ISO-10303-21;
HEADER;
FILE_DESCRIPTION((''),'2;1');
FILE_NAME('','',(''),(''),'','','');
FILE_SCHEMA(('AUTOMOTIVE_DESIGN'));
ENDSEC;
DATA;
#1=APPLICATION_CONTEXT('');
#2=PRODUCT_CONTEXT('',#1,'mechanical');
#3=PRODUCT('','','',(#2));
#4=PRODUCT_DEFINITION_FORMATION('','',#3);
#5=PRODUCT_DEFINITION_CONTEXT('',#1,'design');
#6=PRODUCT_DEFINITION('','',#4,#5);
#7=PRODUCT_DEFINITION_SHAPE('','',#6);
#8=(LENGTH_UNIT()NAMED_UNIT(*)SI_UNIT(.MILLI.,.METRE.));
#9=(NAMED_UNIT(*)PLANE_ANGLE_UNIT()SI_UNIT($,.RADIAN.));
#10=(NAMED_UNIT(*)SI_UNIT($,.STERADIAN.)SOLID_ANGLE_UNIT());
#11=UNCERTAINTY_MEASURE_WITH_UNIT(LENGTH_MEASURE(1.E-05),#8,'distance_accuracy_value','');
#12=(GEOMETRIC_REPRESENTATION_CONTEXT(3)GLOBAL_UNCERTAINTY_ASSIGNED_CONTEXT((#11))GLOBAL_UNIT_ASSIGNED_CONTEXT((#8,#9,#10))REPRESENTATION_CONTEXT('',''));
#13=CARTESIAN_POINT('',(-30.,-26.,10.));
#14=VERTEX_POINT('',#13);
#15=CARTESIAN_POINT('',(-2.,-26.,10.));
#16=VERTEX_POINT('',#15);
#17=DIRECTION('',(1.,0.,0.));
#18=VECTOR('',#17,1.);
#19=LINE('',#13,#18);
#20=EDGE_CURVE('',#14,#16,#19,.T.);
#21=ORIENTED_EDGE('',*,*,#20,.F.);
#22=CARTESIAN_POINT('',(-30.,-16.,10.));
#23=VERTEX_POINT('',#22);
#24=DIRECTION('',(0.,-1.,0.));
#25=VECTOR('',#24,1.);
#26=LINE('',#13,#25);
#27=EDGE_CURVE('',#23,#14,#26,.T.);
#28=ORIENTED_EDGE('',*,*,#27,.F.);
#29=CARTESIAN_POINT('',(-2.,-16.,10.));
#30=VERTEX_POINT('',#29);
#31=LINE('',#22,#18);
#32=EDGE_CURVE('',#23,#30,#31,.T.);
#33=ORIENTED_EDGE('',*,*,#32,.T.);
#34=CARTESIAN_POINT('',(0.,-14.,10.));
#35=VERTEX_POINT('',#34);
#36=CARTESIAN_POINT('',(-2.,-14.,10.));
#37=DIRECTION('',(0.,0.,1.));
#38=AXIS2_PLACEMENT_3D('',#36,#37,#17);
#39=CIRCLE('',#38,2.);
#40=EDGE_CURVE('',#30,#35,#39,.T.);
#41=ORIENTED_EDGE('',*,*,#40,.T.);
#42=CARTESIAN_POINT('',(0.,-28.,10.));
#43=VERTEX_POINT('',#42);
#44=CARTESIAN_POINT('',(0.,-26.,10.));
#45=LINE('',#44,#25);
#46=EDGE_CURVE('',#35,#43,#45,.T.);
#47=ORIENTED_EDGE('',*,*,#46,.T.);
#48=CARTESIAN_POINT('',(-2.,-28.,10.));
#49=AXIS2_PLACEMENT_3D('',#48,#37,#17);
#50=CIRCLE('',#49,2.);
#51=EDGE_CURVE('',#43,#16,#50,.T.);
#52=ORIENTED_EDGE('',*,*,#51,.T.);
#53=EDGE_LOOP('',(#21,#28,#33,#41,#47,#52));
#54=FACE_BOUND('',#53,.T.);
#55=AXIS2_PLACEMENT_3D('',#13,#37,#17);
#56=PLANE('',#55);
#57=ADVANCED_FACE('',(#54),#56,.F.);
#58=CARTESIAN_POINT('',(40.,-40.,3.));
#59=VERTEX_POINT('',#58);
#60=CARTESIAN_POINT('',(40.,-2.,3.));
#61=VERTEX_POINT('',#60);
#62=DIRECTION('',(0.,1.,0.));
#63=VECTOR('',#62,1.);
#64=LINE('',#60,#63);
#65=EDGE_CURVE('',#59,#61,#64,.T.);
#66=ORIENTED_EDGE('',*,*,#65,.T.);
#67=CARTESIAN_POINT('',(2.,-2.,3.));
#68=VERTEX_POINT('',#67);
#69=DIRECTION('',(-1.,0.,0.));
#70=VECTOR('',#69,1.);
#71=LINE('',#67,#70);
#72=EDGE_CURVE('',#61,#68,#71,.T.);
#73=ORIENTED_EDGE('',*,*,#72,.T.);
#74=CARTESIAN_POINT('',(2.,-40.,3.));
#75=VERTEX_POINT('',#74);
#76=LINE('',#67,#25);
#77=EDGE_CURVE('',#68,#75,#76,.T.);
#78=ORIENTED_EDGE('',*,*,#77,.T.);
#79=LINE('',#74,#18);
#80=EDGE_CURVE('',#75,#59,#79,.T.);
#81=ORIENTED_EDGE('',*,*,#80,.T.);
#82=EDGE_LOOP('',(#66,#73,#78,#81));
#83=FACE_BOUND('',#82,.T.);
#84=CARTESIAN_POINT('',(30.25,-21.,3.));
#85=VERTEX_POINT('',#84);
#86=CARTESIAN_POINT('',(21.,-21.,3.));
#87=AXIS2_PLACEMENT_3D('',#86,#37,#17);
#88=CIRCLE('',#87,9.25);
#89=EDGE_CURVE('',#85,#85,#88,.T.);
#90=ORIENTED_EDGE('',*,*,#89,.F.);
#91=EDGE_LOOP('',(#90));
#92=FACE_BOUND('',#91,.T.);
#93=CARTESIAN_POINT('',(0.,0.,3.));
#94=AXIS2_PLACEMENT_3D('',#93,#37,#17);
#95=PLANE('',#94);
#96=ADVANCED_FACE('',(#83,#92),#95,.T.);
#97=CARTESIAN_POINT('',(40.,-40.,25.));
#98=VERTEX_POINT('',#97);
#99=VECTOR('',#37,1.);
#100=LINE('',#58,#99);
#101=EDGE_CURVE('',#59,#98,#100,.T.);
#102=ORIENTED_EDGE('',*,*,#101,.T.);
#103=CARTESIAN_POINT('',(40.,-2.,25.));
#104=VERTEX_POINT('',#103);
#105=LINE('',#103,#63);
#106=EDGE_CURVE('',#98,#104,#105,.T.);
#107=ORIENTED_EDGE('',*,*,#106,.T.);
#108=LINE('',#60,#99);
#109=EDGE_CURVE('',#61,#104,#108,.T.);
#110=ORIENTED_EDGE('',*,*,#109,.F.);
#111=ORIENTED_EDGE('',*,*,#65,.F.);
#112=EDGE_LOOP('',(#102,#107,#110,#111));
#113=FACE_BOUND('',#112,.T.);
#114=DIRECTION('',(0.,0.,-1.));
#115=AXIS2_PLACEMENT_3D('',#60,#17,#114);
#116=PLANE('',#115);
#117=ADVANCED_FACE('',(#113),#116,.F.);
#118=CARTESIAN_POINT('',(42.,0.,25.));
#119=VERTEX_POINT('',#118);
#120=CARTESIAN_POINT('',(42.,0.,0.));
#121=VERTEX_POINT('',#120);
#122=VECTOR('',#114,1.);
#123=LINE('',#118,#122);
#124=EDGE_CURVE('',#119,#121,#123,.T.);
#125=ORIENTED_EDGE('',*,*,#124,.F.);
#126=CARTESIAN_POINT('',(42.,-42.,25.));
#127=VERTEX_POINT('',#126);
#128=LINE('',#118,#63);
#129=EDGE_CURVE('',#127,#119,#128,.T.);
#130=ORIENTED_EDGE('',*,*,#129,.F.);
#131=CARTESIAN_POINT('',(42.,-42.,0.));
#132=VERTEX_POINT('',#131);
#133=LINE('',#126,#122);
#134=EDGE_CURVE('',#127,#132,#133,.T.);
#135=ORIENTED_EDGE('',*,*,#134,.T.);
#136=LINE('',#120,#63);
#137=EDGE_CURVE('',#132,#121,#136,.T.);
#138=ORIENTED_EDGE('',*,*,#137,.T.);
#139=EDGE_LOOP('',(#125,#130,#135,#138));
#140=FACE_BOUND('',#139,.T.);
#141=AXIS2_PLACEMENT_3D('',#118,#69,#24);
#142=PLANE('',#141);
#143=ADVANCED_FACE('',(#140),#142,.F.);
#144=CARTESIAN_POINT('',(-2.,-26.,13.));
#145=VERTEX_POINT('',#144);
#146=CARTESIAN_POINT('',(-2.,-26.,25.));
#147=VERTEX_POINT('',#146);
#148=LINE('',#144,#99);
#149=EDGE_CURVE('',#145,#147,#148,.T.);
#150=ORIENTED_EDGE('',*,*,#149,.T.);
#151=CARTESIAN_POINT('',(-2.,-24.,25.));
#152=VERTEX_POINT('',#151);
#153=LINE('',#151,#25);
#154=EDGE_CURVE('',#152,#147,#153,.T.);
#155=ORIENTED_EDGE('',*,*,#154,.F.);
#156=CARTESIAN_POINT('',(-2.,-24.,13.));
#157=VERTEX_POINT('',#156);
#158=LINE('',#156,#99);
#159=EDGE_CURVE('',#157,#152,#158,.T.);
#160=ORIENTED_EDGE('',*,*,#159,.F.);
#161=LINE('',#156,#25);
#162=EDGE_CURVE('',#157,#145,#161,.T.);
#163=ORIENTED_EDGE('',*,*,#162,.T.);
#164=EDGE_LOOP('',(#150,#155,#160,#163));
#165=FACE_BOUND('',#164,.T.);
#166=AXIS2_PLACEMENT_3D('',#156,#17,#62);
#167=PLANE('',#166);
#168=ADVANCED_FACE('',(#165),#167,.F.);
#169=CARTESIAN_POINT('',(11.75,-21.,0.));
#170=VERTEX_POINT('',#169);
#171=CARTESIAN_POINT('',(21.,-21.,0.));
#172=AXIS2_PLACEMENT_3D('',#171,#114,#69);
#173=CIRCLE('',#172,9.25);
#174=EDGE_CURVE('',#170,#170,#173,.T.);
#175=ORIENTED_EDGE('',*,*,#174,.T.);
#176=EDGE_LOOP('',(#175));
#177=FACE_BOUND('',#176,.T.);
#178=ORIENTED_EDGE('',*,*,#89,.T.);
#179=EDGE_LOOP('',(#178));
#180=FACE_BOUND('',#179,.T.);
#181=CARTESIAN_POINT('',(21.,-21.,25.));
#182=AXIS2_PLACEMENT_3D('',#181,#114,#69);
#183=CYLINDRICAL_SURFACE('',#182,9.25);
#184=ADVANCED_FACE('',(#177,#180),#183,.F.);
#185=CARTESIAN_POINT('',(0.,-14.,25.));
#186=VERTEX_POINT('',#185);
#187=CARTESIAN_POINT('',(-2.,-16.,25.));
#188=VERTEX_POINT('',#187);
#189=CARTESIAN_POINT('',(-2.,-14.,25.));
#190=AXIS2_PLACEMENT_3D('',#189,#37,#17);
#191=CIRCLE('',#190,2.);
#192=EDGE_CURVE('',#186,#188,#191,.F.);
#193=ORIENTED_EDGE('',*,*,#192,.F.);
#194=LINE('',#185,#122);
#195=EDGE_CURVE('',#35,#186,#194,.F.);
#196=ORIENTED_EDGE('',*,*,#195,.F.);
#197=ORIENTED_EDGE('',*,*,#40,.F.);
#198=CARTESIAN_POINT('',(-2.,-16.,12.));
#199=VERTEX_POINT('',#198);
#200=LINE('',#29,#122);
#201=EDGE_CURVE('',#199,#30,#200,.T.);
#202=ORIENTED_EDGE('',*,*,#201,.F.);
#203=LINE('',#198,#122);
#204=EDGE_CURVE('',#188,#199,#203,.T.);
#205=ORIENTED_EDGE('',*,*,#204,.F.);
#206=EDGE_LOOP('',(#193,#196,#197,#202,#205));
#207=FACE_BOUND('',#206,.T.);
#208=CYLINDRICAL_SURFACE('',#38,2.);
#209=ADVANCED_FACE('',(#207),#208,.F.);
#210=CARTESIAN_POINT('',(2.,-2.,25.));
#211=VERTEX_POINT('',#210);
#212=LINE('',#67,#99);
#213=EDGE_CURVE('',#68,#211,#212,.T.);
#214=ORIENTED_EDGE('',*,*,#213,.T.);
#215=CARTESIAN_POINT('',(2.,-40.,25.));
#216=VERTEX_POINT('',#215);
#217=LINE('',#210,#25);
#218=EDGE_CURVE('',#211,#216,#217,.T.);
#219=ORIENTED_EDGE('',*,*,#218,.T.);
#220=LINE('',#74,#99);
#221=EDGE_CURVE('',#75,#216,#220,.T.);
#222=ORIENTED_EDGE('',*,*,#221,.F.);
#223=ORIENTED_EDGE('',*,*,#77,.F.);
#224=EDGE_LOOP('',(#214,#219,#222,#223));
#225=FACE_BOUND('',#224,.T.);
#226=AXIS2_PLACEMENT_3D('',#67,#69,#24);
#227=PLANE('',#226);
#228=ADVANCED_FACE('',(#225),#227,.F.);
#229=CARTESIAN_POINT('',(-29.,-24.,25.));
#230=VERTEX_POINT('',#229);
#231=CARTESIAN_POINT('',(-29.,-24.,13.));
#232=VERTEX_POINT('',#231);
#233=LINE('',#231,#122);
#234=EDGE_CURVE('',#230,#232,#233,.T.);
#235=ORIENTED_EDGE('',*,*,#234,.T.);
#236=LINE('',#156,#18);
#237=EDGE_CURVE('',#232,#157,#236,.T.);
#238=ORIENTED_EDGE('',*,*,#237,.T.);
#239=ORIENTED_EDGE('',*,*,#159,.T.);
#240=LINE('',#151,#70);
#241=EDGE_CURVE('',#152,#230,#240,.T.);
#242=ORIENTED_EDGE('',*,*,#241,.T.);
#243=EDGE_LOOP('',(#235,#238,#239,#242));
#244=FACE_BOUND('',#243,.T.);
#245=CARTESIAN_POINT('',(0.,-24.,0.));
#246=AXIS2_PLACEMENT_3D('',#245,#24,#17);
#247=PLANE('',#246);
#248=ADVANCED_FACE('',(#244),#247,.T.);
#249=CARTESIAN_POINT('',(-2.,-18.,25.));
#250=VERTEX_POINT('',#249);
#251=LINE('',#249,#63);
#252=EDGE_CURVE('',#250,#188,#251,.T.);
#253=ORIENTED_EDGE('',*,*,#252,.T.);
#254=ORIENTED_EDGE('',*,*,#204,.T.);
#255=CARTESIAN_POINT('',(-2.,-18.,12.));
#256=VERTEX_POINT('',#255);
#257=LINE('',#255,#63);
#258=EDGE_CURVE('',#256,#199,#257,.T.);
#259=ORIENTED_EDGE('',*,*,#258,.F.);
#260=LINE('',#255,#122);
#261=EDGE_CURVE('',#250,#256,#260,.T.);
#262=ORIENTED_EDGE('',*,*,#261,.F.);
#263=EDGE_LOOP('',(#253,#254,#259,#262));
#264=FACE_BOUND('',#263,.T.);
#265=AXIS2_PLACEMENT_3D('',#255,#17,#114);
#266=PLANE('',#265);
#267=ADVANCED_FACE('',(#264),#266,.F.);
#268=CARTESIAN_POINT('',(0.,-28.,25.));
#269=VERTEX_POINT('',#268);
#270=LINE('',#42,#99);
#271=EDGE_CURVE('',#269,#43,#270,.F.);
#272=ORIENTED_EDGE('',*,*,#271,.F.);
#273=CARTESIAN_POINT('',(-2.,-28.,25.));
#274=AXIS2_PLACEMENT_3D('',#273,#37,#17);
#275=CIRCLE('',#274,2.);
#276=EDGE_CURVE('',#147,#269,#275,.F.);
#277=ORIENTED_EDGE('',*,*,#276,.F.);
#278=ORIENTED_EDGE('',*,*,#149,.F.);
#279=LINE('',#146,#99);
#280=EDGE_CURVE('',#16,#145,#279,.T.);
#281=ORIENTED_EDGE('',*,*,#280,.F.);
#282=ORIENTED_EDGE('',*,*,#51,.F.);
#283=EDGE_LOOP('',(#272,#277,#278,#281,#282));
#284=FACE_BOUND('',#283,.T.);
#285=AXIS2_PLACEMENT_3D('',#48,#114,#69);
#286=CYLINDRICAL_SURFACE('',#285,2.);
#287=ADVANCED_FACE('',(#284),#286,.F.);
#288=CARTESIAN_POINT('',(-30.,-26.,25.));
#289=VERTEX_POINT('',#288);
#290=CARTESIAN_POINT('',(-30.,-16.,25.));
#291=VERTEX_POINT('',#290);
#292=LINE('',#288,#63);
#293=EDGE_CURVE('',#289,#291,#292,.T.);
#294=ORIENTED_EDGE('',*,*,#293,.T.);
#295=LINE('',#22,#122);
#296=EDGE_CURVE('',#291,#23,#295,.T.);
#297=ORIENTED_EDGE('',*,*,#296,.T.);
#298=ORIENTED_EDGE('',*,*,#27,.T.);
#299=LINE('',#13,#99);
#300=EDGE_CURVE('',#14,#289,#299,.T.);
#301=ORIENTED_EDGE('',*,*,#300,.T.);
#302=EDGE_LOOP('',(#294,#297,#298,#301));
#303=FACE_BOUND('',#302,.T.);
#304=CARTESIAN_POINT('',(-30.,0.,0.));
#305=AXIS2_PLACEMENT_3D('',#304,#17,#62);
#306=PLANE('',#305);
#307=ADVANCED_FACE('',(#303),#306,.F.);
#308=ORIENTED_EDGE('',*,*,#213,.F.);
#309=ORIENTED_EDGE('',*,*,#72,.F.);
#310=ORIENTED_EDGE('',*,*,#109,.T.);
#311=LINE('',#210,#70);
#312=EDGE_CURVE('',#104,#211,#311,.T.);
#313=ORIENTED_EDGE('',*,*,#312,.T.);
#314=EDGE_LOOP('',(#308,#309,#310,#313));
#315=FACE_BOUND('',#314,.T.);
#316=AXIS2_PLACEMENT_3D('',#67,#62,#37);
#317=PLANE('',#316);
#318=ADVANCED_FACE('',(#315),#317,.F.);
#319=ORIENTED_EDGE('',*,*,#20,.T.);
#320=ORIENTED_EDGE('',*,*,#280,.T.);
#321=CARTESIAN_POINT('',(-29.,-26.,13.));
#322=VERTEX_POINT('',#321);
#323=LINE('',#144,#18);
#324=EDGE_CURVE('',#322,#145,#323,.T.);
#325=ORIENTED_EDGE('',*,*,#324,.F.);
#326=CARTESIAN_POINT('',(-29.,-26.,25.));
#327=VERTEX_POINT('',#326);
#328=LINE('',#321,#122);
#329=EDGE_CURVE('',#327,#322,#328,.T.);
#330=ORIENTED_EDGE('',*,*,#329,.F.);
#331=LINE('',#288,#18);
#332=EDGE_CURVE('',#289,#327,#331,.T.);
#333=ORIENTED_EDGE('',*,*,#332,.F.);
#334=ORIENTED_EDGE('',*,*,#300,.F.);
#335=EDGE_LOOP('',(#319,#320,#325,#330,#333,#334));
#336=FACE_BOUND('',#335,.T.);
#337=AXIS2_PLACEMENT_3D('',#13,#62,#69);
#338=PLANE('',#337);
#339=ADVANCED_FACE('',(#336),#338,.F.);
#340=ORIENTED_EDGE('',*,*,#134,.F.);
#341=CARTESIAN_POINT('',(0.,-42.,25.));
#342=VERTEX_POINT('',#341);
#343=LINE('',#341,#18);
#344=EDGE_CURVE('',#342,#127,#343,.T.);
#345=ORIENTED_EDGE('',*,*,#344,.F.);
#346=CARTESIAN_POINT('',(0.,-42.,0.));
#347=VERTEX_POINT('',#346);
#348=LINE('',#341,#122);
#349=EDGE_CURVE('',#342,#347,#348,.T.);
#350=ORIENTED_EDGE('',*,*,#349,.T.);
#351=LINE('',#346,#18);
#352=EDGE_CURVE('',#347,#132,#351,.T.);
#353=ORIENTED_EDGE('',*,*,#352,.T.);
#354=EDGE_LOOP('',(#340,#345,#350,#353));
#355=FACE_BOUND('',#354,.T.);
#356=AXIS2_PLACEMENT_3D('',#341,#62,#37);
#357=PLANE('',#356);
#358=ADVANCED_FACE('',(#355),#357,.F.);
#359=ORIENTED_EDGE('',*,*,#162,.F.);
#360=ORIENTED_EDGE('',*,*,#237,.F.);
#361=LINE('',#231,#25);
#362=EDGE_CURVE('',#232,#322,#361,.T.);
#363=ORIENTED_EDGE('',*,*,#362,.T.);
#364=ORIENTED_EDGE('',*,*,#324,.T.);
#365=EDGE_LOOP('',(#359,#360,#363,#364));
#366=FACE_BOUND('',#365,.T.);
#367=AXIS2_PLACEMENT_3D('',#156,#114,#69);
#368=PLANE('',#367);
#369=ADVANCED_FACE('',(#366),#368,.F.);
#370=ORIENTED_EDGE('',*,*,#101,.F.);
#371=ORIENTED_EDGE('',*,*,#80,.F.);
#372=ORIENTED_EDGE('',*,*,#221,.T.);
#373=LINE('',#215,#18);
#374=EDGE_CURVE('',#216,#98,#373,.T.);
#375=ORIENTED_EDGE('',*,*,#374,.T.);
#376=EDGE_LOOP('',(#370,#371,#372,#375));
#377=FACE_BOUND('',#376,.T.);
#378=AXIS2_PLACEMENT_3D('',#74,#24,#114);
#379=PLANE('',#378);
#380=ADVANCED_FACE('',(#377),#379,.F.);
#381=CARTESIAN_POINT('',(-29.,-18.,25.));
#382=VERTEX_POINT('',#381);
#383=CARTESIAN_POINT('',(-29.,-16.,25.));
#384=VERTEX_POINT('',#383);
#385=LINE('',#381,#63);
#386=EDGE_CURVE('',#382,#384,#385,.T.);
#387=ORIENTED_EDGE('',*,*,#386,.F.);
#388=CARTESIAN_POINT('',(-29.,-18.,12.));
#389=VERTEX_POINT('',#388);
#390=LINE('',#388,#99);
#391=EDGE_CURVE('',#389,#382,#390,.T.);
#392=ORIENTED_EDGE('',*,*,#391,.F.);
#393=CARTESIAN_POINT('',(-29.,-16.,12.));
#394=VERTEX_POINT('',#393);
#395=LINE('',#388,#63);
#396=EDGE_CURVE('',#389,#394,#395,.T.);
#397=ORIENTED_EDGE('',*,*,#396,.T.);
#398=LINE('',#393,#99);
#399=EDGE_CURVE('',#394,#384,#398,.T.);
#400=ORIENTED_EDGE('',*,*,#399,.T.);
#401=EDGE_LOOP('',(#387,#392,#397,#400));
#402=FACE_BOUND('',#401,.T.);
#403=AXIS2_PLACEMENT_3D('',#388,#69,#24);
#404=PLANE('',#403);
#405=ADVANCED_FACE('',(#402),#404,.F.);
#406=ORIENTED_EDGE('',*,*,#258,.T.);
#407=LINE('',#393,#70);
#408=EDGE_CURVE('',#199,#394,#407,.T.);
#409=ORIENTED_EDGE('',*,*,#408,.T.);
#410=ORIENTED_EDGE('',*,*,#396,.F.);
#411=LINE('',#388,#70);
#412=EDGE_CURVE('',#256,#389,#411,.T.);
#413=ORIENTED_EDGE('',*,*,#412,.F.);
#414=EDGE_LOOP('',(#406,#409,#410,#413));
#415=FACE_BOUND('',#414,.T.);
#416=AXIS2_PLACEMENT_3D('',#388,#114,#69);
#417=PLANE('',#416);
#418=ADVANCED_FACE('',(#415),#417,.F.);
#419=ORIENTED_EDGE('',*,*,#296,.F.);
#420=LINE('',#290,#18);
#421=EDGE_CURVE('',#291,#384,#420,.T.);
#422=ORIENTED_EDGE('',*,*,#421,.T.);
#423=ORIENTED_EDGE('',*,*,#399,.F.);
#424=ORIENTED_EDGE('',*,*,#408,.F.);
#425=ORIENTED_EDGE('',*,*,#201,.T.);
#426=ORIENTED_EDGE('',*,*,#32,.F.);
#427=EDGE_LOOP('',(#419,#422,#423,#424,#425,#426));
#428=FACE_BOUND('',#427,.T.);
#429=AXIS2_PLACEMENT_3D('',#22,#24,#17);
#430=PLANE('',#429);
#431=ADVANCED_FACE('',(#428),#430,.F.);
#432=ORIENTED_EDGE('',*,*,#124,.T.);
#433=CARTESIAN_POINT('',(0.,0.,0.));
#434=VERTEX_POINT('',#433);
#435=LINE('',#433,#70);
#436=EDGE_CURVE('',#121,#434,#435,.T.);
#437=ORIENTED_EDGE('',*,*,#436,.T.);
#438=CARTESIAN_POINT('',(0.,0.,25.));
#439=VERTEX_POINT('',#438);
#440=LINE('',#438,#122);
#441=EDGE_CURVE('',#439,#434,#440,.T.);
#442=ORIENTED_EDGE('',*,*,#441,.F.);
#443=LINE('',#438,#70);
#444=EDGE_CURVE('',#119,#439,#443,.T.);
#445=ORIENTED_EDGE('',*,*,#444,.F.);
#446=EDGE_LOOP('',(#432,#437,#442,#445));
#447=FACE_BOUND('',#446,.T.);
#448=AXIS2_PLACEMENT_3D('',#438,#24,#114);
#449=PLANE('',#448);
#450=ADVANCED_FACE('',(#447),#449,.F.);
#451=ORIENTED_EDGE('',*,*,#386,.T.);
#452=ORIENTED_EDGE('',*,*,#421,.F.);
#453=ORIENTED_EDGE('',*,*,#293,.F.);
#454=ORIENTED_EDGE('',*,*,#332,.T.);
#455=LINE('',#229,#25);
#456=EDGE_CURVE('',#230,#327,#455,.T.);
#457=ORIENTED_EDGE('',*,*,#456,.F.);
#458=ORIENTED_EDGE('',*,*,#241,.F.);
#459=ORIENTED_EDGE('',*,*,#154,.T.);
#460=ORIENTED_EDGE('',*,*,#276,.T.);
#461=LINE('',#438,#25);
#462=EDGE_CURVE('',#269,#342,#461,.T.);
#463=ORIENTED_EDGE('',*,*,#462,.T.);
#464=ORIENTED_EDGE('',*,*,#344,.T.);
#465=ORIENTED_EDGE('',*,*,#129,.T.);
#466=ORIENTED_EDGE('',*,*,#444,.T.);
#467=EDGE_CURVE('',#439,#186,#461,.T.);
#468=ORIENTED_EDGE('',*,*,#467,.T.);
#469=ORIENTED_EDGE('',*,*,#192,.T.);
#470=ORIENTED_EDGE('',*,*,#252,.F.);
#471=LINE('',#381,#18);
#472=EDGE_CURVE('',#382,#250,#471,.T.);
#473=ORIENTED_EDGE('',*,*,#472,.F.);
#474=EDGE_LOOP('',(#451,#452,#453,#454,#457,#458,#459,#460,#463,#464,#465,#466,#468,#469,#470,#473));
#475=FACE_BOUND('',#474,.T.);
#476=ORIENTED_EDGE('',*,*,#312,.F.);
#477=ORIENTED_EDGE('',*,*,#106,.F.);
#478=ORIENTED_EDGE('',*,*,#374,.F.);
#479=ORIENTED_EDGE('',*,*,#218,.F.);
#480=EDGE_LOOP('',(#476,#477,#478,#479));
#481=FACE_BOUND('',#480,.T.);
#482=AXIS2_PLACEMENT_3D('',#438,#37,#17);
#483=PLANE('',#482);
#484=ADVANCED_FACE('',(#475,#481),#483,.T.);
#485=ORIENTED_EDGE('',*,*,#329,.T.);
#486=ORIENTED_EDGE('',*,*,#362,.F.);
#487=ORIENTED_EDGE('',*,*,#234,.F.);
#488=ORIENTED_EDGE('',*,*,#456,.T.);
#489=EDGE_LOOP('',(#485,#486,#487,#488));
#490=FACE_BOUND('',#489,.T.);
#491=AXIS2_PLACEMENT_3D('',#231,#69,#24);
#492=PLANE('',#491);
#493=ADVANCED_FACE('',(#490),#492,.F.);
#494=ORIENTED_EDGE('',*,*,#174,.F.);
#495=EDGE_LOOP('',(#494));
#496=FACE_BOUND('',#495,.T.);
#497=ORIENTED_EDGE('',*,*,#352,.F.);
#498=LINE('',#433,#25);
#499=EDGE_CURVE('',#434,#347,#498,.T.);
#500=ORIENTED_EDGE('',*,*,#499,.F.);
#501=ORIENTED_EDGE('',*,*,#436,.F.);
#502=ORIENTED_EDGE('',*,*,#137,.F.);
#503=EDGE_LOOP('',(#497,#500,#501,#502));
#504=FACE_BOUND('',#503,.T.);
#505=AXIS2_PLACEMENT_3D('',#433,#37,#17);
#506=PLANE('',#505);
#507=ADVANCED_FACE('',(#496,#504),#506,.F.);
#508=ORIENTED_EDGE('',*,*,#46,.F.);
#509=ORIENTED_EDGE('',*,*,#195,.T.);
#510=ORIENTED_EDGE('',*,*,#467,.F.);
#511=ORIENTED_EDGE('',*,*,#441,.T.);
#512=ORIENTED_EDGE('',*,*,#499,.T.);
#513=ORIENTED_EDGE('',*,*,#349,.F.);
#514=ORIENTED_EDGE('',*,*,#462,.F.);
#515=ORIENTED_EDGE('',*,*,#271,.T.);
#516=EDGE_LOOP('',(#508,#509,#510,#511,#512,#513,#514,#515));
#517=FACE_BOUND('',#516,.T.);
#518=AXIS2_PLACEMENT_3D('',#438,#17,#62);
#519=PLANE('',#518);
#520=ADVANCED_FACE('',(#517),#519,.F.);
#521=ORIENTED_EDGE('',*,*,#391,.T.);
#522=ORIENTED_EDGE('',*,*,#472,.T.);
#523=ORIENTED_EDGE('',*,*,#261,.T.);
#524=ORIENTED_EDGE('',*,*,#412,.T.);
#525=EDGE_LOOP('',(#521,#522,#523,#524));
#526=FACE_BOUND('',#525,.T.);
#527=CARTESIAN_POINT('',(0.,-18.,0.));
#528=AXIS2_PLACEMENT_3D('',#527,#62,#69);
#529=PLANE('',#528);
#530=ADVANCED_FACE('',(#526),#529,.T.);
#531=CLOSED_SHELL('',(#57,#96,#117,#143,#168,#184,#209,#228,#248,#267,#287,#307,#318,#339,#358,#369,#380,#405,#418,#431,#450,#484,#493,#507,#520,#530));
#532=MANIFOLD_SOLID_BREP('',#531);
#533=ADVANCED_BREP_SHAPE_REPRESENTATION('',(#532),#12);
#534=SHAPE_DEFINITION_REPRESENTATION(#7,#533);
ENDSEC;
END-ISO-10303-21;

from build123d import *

# Parameters (mm, degrees)
SKETCH_1_W          = 42
SKETCH_1_H          = 42
EXTRUDE_1_DEPTH     = 25
SKETCH_2_W          = 38
SKETCH_2_H          = 38
CUT_EXTRUDE_1_DEPTH = 22
SKETCH_3_R          = 9.25
CUT_EXTRUDE_2_DEPTH = 65.443773943
SKETCH_4_W          = 15
SKETCH_4_H          = 10
EXTRUDE_2_DEPTH     = 30
SKETCH_5_W          = 27
SKETCH_5_H          = 12
CUT_EXTRUDE_3_DEPTH = 2
SKETCH_6_W          = 27
SKETCH_6_H          = 13
CUT_EXTRUDE_4_DEPTH = 2
FILLET_1_R          = 2


with BuildPart() as part:
    # 스케치1 → 보스-돌출1 (new body)
    with BuildSketch(Plane.XY):
        with Locations((21, -21)):
            Rectangle(SKETCH_1_W, SKETCH_1_H)
    extrude(amount=EXTRUDE_1_DEPTH)

    # 스케치2 → 컷-돌출1 (cut)
    with BuildSketch(Plane.XY.offset(25)):
        with Locations((21, -21)):
            Rectangle(SKETCH_2_W, SKETCH_2_H)
    extrude(amount=-CUT_EXTRUDE_1_DEPTH, mode=Mode.SUBTRACT)

    # 스케치3 → 컷-돌출2 (cut, through all)
    with BuildSketch(Plane(origin=(0, 0, 0), x_dir=(-1, 0, 0), z_dir=(0, 0, -1))):
        with Locations((-21, -21)):
            Circle(SKETCH_3_R)
    extrude(amount=-CUT_EXTRUDE_2_DEPTH, mode=Mode.SUBTRACT)

    # 스케치4 → 보스-돌출2 (add)
    with BuildSketch(Plane.ZY):
        with Locations((17.5, -21)):
            Rectangle(SKETCH_4_W, SKETCH_4_H)
    extrude(amount=EXTRUDE_2_DEPTH)

    # 스케치5 → 컷-돌출3 (cut)
    with BuildSketch(Plane.XZ.offset(26)):
        with Locations((-15.5, 19)):
            Rectangle(SKETCH_5_W, SKETCH_5_H)
    extrude(amount=-CUT_EXTRUDE_3_DEPTH, mode=Mode.SUBTRACT)

    # 스케치6 → 컷-돌출4 (cut)
    with BuildSketch(Plane(origin=(0, -16, 0), x_dir=(1, 0, 0), z_dir=(0, 1, 0))):
        with Locations((-15.5, -18.5)):
            Rectangle(SKETCH_6_W, SKETCH_6_H)
    extrude(amount=-CUT_EXTRUDE_4_DEPTH, mode=Mode.SUBTRACT)

    # 필렛1
    fillet_1_edges = [part.edges().sort_by_distance(p)[0] for p in [
        (0, -26, 17.5),
        (0, -16, 17.5),
    ]]
    fillet(fillet_1_edges, radius=FILLET_1_R)


solid = part.part
